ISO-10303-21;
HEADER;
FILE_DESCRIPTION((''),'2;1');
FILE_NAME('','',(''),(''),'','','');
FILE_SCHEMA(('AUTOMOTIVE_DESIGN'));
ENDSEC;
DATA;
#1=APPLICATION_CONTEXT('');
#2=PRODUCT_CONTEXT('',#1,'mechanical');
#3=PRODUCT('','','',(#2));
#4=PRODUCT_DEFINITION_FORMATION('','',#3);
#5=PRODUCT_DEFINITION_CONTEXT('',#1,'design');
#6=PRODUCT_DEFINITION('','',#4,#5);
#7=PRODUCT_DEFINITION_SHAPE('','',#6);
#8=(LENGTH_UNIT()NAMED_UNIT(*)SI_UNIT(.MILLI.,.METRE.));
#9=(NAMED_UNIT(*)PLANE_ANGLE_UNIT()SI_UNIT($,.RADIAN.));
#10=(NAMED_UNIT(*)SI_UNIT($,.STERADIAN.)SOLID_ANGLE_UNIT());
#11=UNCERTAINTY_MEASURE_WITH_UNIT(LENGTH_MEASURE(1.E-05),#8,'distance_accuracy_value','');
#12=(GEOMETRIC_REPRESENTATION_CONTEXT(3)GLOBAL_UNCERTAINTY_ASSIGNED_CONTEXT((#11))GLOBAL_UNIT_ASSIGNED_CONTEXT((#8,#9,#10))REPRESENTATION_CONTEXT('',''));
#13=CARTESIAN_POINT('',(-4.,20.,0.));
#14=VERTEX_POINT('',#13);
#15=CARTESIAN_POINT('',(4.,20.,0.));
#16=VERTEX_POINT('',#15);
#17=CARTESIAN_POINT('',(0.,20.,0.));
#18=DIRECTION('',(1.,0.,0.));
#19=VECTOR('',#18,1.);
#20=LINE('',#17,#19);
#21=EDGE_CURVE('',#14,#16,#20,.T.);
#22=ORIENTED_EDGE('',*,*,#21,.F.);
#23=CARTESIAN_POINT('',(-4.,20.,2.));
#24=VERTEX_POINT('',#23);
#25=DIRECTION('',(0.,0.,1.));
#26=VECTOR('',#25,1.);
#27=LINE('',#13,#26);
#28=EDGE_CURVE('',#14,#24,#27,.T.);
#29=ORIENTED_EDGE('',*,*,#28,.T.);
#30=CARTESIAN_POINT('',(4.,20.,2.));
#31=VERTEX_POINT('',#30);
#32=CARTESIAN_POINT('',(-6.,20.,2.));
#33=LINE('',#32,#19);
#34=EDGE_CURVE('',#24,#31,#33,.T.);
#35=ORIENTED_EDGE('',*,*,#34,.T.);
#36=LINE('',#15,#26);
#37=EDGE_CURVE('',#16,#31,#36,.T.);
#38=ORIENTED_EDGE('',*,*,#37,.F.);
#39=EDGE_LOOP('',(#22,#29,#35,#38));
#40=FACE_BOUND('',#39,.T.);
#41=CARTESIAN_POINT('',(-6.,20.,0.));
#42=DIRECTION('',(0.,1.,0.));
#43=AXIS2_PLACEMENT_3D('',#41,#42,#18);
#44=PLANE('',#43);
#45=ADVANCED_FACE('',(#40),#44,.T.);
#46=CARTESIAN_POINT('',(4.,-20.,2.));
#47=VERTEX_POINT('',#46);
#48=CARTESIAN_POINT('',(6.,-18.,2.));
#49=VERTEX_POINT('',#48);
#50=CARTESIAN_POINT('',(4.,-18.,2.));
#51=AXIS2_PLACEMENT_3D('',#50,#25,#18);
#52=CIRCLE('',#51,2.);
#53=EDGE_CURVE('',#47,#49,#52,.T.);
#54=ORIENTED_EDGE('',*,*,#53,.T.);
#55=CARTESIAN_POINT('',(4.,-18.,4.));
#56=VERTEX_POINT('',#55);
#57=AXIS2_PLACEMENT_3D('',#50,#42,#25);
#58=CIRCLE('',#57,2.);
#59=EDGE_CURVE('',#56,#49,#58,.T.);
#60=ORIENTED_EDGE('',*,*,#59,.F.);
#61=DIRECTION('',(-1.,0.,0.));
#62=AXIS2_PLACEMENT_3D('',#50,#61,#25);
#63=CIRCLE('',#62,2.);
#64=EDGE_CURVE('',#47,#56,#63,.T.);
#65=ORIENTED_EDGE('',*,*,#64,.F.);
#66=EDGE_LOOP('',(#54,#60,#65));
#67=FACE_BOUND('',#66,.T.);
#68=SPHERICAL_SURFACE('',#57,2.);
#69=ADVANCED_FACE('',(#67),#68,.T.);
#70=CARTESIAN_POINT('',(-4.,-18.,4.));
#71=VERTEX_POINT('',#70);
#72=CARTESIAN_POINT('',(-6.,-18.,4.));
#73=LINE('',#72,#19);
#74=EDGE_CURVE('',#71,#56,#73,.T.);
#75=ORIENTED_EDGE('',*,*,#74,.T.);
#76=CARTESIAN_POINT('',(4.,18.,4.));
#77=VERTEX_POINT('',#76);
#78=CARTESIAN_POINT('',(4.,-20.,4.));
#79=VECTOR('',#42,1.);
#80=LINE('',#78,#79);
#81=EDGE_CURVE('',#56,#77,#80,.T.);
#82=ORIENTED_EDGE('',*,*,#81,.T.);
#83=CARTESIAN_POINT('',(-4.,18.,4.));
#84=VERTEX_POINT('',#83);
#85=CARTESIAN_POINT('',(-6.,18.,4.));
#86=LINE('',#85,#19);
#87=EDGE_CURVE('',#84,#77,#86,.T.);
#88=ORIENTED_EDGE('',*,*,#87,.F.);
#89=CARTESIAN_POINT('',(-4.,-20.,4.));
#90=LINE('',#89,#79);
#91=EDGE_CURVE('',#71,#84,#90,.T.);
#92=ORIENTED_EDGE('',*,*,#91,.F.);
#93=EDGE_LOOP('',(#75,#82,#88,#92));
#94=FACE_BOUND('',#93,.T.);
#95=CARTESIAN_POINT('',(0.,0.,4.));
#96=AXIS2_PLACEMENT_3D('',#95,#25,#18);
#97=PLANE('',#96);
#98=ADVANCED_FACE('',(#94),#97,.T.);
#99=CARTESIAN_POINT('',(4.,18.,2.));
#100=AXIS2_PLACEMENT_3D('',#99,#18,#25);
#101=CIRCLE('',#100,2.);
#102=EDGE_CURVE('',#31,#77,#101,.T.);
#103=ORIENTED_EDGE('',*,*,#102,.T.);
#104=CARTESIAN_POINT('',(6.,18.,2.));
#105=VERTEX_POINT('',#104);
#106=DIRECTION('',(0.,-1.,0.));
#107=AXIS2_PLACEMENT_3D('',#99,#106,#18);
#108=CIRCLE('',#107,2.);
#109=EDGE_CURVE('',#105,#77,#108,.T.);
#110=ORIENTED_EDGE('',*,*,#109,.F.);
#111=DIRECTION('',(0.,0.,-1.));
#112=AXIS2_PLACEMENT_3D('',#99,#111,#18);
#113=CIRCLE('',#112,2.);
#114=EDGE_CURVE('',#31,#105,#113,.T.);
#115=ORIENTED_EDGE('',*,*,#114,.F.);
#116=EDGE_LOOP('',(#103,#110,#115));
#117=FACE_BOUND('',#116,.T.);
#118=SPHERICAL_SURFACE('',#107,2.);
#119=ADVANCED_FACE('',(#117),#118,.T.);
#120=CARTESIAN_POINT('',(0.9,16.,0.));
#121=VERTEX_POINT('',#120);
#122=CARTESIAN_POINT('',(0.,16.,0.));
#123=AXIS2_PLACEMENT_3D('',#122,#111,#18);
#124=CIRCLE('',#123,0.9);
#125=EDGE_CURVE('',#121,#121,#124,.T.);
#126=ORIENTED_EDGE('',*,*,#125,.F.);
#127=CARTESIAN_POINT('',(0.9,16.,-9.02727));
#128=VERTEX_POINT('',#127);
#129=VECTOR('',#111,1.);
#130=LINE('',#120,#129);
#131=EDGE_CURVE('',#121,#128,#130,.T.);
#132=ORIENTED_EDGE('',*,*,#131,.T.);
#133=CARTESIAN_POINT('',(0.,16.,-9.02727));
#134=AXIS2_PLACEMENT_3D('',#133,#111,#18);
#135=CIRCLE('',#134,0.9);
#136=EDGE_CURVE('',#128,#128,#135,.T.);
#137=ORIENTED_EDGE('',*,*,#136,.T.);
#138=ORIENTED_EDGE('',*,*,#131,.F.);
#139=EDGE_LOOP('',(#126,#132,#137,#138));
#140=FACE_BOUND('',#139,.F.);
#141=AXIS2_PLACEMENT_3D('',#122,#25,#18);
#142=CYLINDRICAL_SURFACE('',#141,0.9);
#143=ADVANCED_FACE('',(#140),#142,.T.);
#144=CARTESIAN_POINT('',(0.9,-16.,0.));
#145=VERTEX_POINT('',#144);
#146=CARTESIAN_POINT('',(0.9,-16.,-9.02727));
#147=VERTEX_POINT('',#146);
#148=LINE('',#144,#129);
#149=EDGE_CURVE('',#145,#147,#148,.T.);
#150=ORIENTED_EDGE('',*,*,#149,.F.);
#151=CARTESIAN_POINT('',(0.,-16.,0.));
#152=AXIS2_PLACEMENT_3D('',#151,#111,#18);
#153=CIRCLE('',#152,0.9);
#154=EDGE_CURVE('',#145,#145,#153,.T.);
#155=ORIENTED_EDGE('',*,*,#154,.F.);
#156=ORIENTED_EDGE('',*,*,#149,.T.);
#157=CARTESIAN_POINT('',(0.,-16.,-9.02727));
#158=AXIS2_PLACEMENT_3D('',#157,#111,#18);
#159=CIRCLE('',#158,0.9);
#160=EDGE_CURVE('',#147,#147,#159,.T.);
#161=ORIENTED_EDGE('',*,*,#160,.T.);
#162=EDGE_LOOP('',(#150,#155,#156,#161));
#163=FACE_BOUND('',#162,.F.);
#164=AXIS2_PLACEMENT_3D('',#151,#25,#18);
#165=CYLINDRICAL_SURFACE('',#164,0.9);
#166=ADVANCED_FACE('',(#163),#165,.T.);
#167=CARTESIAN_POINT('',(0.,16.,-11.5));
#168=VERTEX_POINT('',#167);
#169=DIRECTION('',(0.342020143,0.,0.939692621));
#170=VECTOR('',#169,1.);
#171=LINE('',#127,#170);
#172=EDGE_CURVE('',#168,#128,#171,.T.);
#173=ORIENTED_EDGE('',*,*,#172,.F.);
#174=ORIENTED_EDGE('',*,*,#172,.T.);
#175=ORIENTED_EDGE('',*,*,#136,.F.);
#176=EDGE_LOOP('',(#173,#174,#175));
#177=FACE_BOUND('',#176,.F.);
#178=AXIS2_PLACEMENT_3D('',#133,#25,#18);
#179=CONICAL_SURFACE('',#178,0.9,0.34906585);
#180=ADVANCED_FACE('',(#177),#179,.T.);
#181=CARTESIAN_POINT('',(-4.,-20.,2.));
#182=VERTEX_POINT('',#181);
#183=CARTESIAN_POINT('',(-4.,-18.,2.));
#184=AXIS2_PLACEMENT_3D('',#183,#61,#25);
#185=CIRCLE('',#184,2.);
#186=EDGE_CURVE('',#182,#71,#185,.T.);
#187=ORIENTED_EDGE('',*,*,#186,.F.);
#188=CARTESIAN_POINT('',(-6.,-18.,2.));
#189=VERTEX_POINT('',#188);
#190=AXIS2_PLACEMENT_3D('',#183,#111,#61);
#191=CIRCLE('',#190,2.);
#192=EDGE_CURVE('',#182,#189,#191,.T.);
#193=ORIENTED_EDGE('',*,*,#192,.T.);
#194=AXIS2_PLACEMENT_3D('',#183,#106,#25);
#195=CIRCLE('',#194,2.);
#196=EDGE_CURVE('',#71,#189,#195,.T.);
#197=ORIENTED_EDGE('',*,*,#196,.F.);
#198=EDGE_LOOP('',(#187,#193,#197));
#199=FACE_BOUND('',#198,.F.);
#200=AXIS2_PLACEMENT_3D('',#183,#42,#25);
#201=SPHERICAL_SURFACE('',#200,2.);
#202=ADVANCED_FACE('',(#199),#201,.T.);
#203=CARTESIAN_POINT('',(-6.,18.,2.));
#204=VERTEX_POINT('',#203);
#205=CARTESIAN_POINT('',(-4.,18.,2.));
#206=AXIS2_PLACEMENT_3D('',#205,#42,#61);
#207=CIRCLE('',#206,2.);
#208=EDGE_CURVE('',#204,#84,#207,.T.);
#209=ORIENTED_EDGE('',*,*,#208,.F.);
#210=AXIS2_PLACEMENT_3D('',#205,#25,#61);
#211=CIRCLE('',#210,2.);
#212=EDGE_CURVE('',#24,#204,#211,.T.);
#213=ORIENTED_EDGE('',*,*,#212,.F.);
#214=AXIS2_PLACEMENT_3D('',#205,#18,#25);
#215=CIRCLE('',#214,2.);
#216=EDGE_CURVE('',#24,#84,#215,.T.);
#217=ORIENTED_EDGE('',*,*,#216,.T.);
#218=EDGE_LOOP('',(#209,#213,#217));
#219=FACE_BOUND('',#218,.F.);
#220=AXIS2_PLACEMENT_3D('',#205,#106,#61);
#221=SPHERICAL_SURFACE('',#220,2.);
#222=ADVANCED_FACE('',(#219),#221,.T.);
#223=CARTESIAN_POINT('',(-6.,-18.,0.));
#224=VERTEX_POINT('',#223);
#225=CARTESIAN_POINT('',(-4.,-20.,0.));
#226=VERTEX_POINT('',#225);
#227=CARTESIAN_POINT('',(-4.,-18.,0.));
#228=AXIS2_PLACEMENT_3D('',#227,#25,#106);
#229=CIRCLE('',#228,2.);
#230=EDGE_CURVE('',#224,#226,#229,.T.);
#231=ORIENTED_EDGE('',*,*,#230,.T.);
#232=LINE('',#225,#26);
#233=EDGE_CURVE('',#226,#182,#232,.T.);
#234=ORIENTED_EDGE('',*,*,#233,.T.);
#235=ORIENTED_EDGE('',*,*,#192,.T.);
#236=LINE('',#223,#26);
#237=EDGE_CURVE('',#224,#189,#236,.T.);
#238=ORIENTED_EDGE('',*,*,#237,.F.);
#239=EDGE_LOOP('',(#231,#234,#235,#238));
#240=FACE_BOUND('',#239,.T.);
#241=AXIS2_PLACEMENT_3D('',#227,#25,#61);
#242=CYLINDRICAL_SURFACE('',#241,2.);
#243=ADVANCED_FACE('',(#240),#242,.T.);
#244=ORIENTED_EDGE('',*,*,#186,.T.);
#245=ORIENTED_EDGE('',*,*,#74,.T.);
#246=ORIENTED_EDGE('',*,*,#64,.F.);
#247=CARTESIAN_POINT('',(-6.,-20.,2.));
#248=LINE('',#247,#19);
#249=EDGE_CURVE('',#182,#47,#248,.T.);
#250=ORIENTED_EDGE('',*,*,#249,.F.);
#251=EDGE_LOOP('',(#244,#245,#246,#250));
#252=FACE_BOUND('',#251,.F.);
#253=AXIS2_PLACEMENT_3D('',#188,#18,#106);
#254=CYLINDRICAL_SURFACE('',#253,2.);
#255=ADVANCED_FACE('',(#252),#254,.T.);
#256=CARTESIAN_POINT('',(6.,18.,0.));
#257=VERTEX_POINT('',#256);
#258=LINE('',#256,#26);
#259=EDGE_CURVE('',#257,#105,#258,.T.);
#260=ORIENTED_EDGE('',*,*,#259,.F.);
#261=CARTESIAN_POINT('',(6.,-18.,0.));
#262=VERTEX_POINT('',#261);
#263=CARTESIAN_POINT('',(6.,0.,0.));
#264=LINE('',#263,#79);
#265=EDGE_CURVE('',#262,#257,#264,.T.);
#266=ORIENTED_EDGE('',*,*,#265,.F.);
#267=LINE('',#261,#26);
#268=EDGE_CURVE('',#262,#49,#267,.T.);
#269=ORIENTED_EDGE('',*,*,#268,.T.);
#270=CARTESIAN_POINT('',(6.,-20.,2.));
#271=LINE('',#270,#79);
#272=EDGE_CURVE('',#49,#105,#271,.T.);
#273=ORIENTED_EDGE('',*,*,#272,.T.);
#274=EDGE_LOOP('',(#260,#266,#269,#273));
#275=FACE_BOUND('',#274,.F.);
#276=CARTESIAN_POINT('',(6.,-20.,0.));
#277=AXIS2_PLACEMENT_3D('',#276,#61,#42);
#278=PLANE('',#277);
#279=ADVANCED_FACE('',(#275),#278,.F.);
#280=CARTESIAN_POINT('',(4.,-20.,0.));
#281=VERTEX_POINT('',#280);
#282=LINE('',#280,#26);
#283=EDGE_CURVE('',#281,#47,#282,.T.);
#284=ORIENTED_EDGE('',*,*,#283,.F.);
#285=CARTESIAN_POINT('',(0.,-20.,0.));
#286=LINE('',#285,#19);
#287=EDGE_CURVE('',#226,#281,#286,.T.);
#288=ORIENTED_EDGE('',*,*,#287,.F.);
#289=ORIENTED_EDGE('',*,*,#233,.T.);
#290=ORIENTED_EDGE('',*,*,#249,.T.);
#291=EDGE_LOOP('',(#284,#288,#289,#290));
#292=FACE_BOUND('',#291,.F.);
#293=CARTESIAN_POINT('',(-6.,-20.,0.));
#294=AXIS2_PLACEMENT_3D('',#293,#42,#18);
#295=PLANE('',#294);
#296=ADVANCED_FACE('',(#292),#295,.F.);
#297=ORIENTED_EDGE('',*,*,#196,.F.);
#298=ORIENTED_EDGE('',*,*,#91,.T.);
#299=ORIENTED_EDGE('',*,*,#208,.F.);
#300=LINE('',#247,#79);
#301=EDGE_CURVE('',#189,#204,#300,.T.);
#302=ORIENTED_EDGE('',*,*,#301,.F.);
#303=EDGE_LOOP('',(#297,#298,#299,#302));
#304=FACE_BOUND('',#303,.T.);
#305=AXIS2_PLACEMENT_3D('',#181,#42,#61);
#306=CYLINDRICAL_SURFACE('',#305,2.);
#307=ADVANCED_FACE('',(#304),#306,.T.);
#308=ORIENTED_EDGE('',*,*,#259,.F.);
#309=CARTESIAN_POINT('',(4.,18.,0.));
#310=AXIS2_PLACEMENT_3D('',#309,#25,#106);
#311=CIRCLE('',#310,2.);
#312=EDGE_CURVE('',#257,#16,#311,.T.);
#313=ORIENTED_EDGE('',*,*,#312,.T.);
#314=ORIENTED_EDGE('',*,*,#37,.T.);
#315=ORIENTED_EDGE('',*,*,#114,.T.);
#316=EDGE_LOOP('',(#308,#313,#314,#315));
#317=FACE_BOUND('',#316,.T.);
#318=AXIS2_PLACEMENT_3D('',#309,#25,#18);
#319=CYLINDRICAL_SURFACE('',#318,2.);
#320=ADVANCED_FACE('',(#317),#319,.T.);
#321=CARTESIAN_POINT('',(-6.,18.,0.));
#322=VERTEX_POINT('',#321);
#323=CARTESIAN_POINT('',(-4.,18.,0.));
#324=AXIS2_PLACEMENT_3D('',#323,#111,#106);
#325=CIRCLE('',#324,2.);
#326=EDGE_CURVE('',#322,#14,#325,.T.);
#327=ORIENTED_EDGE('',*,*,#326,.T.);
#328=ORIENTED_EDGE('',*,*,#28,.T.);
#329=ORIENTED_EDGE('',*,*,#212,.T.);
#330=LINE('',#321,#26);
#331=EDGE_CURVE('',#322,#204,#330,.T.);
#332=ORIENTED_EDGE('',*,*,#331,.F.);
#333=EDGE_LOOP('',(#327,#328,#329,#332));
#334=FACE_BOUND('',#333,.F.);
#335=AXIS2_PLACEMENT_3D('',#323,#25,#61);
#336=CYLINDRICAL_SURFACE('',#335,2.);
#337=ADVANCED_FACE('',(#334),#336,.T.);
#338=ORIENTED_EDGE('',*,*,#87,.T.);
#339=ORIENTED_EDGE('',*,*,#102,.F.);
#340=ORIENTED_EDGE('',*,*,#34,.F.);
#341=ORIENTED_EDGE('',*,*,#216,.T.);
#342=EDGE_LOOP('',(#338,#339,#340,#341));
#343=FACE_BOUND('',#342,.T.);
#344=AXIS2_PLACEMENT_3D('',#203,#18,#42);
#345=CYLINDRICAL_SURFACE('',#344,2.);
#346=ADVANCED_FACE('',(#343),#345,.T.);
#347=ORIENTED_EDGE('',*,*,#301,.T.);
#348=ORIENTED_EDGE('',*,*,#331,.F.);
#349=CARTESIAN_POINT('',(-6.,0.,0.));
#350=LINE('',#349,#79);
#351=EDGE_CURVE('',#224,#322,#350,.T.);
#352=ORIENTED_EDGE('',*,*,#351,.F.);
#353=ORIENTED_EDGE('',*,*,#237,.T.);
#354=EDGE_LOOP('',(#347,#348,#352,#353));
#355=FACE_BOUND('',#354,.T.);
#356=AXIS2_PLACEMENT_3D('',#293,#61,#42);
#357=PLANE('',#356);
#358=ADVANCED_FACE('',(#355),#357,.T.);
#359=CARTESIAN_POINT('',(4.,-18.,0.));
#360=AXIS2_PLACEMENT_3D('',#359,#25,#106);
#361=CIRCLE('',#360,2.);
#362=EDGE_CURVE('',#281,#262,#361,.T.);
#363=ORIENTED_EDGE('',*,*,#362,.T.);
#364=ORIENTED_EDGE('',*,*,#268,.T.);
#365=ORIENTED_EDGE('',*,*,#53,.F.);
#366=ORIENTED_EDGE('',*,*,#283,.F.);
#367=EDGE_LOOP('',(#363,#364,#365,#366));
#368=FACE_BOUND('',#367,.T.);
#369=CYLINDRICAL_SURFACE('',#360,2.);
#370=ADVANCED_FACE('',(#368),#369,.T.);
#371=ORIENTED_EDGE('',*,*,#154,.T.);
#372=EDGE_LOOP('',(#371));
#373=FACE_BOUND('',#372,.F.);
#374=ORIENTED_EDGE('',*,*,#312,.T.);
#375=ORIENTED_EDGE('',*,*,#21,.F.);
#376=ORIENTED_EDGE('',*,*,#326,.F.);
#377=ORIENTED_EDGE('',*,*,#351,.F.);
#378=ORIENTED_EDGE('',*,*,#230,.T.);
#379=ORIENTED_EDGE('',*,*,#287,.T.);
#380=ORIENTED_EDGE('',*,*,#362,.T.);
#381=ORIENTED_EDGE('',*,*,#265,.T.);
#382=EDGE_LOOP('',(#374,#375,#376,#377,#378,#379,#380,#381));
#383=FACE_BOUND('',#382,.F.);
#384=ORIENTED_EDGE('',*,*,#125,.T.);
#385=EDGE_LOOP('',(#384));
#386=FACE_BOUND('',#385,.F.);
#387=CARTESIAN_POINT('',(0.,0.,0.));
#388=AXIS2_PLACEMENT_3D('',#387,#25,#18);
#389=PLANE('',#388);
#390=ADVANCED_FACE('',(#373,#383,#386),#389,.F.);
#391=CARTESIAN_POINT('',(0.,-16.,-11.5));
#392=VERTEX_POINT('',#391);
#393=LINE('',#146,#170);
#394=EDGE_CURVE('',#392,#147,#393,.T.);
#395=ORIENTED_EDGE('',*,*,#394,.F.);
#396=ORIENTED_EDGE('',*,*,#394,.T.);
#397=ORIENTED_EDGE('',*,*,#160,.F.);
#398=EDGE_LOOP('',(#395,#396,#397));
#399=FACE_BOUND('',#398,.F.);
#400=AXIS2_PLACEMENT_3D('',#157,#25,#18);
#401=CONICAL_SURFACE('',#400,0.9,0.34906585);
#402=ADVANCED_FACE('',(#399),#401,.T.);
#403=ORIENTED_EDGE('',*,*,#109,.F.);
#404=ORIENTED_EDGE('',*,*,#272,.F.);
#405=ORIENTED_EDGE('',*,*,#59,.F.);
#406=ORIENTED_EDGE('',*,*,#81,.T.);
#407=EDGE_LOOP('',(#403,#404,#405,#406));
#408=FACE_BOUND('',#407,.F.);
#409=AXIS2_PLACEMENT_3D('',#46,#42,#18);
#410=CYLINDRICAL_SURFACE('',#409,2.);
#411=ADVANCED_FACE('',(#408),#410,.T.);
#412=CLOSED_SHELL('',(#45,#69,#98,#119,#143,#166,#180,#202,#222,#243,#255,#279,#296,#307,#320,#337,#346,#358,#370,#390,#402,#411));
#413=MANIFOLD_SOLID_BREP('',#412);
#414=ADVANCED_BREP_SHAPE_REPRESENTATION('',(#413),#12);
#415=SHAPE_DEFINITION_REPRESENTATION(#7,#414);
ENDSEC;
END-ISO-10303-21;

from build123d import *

# Parameters (mm, degrees)
F3_W       = 12
F3_H       = 40
F4_DEPTH   = 4
F5_R       = 2
F6_R       = 0.9
F7_DEPTH   = 11.5
F8_SIZE2   = 2.4727296775
F8_SIZE    = 0.9
F8_2_SIZE2 = 2.4727296775
F8_2_SIZE  = 0.9


with BuildPart() as f4:
    # F3 (on Top) → F4 (new body)
    with BuildSketch(Plane.XY):
        Rectangle(F3_W, F3_H)
    extrude(amount=F4_DEPTH)

    # F5
    f5_edges = [f4.edges().sort_by_distance(p)[0] for p in [
        (6, 0, 4),
        (-6, 0, 4),
        (0, -20, 4),
        (6, -20, 2),
        (-6, 20, 2),
        (6, 20, 2),
        (0, 20, 4),
        (-6, -20, 2),
    ]]
    fillet(f5_edges, radius=F5_R)

    # F6 (on face) → F7 (join)
    with BuildSketch(Plane(origin=(0, 0, 0), x_dir=(1, 0, 0), z_dir=(0, 0, -1))):
        with Locations((0, -16)):
            Circle(F6_R)
        with Locations((0, 16)):
            Circle(F6_R)
    extrude(amount=F7_DEPTH)

    # F8
    f8_edges = [f4.edges().sort_by_distance(p)[0] for p in [
        (-0.9, 16, -11.5),
    ]]
    f8_side = f4.faces().sort_by_distance((0, 16, -11.5))[0]
    chamfer(f8_edges, length=F8_SIZE, length2=F8_SIZE2, reference=f8_side)

    # F8#2
    f8_2_edges = [f4.edges().sort_by_distance(p)[0] for p in [
        (-0.9, -16, -11.5),
    ]]
    f8_2_side = f4.faces().sort_by_distance((0, -16, -11.5))[0]
    chamfer(f8_2_edges, length=F8_2_SIZE, length2=F8_2_SIZE2, reference=f8_2_side)


solid = f4.part
